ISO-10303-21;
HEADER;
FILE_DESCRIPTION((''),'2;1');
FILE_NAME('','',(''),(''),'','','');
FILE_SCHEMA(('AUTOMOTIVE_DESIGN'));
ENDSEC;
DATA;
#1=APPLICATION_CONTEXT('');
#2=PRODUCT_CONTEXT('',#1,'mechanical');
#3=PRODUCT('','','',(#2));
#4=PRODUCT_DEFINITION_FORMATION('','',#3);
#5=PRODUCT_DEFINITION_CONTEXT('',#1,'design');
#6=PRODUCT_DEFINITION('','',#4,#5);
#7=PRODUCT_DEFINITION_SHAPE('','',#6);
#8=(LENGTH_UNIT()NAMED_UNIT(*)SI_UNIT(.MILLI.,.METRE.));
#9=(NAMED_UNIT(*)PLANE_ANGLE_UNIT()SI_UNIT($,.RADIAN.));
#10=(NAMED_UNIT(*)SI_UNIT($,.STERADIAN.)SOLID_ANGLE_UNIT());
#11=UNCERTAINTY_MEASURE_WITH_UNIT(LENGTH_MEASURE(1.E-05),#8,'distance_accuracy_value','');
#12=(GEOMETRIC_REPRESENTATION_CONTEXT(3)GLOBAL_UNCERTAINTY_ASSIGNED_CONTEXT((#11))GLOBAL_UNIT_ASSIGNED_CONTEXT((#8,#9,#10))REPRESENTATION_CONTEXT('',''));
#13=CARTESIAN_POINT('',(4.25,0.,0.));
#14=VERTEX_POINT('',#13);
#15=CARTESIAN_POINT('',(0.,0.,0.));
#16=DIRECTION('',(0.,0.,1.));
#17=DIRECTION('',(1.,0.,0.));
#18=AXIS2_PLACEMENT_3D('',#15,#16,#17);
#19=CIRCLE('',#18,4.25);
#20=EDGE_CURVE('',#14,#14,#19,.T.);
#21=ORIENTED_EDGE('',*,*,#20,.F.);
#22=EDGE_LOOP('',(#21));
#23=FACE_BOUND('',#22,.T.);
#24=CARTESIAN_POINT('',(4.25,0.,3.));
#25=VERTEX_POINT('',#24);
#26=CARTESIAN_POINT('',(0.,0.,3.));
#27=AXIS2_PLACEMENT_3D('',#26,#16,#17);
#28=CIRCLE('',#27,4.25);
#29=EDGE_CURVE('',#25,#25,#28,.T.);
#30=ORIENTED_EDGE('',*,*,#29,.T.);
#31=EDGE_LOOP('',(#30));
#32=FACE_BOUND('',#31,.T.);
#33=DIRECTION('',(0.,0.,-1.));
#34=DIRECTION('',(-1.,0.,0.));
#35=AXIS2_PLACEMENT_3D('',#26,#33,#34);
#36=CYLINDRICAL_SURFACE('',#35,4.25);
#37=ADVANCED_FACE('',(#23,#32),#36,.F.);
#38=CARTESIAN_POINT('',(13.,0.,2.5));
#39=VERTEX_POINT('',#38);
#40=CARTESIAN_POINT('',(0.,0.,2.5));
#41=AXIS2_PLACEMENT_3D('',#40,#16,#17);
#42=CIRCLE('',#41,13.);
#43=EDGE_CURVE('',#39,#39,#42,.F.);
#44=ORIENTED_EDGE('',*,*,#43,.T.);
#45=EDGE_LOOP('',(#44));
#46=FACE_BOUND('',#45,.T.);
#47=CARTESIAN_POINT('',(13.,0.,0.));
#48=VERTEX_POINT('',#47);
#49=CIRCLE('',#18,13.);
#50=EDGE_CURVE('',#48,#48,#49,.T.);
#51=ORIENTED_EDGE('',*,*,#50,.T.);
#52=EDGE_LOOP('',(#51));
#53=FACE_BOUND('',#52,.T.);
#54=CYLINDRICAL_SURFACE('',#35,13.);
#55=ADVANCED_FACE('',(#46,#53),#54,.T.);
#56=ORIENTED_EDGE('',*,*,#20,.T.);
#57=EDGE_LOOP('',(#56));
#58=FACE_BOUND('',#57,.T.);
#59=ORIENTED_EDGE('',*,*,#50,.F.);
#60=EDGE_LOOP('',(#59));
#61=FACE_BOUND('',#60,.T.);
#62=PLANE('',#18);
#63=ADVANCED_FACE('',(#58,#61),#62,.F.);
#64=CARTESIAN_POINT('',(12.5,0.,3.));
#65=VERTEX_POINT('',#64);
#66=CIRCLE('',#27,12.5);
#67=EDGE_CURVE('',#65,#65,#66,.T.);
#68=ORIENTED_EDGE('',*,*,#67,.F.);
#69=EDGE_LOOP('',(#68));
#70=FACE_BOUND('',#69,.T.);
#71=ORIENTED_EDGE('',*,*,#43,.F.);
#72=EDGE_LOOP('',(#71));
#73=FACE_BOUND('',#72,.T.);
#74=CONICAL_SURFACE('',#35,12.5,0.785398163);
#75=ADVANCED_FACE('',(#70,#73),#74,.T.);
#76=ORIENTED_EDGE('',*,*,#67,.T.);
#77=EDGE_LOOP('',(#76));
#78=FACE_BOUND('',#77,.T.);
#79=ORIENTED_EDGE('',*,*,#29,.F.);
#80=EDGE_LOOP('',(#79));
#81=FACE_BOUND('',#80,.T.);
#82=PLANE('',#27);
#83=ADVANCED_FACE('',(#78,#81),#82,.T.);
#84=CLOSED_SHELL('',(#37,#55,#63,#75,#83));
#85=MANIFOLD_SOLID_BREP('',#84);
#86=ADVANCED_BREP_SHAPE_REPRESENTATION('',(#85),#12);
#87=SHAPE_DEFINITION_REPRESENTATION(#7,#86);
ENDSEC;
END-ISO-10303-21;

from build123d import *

# Parameters (mm, degrees)
CROQUIS1_R              = 13
CROQUIS1_R_2            = 4.25
SALIENTE_EXTRUIR1_DEPTH = 3
CHAFL_N1_SIZE           = 0.5


with BuildPart() as part:
    # Croquis1 → Saliente-Extruir1 (new body)
    with BuildSketch(Plane.XY):
        Circle(CROQUIS1_R)
        Circle(CROQUIS1_R_2, mode=Mode.SUBTRACT)
    extrude(amount=SALIENTE_EXTRUIR1_DEPTH)

    # Chaflán1
    chafl_n1_edges = [part.edges().sort_by_distance(p)[0] for p in [
        (-13, 0, 3),
    ]]
    chamfer(chafl_n1_edges, length=CHAFL_N1_SIZE)


solid = part.part
